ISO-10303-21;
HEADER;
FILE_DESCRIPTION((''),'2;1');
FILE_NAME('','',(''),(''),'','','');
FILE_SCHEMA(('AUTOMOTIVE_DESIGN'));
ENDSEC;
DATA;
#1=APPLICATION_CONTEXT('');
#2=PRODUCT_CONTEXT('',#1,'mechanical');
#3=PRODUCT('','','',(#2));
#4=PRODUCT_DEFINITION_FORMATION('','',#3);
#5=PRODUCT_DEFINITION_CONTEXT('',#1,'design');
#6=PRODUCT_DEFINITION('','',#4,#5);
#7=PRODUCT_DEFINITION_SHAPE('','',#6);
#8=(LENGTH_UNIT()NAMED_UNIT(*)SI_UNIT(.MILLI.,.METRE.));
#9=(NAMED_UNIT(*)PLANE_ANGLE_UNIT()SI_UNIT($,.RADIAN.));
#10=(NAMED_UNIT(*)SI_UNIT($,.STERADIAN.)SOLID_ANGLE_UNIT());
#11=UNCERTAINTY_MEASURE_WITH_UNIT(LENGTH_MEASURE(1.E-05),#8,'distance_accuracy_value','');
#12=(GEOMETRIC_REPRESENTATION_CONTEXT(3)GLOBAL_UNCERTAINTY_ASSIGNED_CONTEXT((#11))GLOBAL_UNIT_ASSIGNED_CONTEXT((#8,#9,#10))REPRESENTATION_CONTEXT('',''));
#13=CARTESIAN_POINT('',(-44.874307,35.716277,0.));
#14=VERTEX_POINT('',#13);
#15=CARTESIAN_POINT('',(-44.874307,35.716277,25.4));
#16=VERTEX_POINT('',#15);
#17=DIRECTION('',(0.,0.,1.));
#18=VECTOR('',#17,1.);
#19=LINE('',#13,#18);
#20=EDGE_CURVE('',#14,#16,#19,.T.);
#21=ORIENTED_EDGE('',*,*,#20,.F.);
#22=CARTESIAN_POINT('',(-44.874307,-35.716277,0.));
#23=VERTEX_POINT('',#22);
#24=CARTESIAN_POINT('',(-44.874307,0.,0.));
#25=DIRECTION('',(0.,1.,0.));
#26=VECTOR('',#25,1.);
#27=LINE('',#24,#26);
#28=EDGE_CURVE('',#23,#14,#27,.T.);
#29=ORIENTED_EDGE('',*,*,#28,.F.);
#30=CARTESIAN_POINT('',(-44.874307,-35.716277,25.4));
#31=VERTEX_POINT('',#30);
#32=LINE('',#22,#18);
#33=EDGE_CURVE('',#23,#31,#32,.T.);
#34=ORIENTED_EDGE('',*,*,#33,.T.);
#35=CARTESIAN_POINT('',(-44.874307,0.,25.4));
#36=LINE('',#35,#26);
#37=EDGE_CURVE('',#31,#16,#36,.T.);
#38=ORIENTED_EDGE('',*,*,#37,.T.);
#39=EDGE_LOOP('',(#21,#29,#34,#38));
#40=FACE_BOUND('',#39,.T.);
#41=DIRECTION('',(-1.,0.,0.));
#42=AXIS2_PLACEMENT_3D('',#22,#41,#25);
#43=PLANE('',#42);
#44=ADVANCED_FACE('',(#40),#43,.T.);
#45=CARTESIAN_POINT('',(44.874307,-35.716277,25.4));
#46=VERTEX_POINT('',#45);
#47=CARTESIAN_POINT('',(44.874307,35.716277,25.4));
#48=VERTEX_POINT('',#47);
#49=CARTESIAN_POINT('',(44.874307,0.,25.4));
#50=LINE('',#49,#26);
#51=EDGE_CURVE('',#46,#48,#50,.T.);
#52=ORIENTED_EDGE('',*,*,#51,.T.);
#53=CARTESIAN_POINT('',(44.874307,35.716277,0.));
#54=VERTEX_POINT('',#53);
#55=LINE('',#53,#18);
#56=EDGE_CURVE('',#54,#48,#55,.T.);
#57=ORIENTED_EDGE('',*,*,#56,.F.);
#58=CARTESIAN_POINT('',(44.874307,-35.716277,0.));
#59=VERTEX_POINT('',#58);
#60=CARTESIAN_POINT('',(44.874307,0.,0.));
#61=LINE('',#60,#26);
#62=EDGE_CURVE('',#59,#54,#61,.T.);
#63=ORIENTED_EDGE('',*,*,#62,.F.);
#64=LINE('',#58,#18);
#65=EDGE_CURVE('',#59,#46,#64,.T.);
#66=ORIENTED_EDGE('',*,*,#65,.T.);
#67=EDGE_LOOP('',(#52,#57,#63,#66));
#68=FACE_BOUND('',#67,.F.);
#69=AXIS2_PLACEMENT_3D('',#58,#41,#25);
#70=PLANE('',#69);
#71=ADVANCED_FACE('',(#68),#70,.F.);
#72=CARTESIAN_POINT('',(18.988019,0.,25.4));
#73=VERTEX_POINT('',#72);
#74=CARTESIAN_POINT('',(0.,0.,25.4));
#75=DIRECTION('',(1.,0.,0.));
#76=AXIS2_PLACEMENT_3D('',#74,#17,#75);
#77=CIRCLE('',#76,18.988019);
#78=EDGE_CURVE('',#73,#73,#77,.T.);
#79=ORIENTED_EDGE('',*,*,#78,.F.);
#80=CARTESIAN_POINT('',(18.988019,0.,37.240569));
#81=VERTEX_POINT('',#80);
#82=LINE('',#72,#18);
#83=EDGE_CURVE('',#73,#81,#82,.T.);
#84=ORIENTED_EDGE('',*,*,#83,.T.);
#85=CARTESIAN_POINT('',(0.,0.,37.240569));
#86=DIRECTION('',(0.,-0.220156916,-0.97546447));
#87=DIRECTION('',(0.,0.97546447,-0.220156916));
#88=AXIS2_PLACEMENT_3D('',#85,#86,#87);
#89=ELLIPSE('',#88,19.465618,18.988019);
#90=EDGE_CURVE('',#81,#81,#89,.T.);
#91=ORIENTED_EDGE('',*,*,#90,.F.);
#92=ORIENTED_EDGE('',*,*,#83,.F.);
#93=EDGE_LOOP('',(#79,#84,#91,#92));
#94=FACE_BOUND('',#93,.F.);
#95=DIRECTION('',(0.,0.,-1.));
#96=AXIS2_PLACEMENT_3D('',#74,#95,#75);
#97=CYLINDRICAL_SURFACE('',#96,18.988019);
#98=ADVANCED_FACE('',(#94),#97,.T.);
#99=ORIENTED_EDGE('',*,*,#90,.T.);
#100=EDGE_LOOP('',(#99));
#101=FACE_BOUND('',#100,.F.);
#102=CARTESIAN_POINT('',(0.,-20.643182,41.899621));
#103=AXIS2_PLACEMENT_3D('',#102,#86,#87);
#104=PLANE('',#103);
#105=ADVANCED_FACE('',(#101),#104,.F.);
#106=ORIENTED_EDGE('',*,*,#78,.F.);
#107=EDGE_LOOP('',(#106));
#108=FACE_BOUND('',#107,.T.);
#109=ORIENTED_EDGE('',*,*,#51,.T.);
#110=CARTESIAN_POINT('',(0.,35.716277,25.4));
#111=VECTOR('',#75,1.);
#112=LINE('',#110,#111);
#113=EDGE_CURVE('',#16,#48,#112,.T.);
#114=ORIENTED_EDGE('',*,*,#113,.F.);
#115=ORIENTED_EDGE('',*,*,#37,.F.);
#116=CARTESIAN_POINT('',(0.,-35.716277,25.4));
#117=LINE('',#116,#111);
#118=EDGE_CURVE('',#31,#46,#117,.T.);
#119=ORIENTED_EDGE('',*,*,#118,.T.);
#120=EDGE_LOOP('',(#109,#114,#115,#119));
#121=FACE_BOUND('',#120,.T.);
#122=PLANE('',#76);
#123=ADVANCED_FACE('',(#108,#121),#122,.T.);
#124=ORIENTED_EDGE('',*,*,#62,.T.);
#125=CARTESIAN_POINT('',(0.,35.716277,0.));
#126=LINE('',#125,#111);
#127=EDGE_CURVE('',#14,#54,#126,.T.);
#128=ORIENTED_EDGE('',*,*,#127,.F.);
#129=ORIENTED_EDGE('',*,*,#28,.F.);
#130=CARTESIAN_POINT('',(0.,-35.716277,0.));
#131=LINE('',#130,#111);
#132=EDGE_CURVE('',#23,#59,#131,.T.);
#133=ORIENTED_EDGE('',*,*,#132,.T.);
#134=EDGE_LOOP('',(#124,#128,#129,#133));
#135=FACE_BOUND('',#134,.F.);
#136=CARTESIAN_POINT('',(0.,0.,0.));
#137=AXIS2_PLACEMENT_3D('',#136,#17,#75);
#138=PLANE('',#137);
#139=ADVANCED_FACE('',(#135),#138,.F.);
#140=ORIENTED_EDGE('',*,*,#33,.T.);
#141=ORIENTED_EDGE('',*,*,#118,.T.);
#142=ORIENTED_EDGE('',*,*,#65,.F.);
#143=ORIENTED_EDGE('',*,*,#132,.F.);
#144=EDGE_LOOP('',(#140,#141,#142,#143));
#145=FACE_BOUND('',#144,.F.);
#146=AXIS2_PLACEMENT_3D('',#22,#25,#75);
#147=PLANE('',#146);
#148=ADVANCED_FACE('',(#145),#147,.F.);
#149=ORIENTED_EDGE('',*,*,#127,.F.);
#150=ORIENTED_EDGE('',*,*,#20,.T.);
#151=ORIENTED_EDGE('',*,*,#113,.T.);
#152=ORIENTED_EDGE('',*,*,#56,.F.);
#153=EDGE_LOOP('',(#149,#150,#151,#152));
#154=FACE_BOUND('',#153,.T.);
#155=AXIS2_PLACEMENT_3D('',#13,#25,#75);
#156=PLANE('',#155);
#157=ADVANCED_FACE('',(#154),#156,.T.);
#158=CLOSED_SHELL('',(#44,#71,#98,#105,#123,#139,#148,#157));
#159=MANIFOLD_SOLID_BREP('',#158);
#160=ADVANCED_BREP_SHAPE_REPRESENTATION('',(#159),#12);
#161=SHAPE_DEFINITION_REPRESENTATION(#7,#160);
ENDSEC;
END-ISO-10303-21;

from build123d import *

# Parameters (mm, degrees)
F0_W     = 89.748614
F0_H     = 71.432554
F1_DEPTH = 25.4
F2_R     = 18.988019
F3_DEPTH = 25.4
F5_DEPTH = 635


with BuildPart() as f1:
    # F0 (on Top) → F1 (new body)
    with BuildSketch(Plane.XY):
        Rectangle(F0_W, F0_H)
    extrude(amount=F1_DEPTH)

    # F2 (on face) → F3 (join)
    with BuildSketch(Plane.XY.offset(25.4)):
        Circle(F2_R)
    extrude(amount=F3_DEPTH)

    # F4 (on Right) → F5 (cut, symmetric)
    with BuildSketch(Plane.YZ):
        Polygon((-20.643182, 53.957682), (-20.643182, 41.899621), (23.315316, 31.978432), (23.315316, 53.957682), align=None)
    extrude(amount=F5_DEPTH, both=True, mode=Mode.SUBTRACT)


solid = f1.part
